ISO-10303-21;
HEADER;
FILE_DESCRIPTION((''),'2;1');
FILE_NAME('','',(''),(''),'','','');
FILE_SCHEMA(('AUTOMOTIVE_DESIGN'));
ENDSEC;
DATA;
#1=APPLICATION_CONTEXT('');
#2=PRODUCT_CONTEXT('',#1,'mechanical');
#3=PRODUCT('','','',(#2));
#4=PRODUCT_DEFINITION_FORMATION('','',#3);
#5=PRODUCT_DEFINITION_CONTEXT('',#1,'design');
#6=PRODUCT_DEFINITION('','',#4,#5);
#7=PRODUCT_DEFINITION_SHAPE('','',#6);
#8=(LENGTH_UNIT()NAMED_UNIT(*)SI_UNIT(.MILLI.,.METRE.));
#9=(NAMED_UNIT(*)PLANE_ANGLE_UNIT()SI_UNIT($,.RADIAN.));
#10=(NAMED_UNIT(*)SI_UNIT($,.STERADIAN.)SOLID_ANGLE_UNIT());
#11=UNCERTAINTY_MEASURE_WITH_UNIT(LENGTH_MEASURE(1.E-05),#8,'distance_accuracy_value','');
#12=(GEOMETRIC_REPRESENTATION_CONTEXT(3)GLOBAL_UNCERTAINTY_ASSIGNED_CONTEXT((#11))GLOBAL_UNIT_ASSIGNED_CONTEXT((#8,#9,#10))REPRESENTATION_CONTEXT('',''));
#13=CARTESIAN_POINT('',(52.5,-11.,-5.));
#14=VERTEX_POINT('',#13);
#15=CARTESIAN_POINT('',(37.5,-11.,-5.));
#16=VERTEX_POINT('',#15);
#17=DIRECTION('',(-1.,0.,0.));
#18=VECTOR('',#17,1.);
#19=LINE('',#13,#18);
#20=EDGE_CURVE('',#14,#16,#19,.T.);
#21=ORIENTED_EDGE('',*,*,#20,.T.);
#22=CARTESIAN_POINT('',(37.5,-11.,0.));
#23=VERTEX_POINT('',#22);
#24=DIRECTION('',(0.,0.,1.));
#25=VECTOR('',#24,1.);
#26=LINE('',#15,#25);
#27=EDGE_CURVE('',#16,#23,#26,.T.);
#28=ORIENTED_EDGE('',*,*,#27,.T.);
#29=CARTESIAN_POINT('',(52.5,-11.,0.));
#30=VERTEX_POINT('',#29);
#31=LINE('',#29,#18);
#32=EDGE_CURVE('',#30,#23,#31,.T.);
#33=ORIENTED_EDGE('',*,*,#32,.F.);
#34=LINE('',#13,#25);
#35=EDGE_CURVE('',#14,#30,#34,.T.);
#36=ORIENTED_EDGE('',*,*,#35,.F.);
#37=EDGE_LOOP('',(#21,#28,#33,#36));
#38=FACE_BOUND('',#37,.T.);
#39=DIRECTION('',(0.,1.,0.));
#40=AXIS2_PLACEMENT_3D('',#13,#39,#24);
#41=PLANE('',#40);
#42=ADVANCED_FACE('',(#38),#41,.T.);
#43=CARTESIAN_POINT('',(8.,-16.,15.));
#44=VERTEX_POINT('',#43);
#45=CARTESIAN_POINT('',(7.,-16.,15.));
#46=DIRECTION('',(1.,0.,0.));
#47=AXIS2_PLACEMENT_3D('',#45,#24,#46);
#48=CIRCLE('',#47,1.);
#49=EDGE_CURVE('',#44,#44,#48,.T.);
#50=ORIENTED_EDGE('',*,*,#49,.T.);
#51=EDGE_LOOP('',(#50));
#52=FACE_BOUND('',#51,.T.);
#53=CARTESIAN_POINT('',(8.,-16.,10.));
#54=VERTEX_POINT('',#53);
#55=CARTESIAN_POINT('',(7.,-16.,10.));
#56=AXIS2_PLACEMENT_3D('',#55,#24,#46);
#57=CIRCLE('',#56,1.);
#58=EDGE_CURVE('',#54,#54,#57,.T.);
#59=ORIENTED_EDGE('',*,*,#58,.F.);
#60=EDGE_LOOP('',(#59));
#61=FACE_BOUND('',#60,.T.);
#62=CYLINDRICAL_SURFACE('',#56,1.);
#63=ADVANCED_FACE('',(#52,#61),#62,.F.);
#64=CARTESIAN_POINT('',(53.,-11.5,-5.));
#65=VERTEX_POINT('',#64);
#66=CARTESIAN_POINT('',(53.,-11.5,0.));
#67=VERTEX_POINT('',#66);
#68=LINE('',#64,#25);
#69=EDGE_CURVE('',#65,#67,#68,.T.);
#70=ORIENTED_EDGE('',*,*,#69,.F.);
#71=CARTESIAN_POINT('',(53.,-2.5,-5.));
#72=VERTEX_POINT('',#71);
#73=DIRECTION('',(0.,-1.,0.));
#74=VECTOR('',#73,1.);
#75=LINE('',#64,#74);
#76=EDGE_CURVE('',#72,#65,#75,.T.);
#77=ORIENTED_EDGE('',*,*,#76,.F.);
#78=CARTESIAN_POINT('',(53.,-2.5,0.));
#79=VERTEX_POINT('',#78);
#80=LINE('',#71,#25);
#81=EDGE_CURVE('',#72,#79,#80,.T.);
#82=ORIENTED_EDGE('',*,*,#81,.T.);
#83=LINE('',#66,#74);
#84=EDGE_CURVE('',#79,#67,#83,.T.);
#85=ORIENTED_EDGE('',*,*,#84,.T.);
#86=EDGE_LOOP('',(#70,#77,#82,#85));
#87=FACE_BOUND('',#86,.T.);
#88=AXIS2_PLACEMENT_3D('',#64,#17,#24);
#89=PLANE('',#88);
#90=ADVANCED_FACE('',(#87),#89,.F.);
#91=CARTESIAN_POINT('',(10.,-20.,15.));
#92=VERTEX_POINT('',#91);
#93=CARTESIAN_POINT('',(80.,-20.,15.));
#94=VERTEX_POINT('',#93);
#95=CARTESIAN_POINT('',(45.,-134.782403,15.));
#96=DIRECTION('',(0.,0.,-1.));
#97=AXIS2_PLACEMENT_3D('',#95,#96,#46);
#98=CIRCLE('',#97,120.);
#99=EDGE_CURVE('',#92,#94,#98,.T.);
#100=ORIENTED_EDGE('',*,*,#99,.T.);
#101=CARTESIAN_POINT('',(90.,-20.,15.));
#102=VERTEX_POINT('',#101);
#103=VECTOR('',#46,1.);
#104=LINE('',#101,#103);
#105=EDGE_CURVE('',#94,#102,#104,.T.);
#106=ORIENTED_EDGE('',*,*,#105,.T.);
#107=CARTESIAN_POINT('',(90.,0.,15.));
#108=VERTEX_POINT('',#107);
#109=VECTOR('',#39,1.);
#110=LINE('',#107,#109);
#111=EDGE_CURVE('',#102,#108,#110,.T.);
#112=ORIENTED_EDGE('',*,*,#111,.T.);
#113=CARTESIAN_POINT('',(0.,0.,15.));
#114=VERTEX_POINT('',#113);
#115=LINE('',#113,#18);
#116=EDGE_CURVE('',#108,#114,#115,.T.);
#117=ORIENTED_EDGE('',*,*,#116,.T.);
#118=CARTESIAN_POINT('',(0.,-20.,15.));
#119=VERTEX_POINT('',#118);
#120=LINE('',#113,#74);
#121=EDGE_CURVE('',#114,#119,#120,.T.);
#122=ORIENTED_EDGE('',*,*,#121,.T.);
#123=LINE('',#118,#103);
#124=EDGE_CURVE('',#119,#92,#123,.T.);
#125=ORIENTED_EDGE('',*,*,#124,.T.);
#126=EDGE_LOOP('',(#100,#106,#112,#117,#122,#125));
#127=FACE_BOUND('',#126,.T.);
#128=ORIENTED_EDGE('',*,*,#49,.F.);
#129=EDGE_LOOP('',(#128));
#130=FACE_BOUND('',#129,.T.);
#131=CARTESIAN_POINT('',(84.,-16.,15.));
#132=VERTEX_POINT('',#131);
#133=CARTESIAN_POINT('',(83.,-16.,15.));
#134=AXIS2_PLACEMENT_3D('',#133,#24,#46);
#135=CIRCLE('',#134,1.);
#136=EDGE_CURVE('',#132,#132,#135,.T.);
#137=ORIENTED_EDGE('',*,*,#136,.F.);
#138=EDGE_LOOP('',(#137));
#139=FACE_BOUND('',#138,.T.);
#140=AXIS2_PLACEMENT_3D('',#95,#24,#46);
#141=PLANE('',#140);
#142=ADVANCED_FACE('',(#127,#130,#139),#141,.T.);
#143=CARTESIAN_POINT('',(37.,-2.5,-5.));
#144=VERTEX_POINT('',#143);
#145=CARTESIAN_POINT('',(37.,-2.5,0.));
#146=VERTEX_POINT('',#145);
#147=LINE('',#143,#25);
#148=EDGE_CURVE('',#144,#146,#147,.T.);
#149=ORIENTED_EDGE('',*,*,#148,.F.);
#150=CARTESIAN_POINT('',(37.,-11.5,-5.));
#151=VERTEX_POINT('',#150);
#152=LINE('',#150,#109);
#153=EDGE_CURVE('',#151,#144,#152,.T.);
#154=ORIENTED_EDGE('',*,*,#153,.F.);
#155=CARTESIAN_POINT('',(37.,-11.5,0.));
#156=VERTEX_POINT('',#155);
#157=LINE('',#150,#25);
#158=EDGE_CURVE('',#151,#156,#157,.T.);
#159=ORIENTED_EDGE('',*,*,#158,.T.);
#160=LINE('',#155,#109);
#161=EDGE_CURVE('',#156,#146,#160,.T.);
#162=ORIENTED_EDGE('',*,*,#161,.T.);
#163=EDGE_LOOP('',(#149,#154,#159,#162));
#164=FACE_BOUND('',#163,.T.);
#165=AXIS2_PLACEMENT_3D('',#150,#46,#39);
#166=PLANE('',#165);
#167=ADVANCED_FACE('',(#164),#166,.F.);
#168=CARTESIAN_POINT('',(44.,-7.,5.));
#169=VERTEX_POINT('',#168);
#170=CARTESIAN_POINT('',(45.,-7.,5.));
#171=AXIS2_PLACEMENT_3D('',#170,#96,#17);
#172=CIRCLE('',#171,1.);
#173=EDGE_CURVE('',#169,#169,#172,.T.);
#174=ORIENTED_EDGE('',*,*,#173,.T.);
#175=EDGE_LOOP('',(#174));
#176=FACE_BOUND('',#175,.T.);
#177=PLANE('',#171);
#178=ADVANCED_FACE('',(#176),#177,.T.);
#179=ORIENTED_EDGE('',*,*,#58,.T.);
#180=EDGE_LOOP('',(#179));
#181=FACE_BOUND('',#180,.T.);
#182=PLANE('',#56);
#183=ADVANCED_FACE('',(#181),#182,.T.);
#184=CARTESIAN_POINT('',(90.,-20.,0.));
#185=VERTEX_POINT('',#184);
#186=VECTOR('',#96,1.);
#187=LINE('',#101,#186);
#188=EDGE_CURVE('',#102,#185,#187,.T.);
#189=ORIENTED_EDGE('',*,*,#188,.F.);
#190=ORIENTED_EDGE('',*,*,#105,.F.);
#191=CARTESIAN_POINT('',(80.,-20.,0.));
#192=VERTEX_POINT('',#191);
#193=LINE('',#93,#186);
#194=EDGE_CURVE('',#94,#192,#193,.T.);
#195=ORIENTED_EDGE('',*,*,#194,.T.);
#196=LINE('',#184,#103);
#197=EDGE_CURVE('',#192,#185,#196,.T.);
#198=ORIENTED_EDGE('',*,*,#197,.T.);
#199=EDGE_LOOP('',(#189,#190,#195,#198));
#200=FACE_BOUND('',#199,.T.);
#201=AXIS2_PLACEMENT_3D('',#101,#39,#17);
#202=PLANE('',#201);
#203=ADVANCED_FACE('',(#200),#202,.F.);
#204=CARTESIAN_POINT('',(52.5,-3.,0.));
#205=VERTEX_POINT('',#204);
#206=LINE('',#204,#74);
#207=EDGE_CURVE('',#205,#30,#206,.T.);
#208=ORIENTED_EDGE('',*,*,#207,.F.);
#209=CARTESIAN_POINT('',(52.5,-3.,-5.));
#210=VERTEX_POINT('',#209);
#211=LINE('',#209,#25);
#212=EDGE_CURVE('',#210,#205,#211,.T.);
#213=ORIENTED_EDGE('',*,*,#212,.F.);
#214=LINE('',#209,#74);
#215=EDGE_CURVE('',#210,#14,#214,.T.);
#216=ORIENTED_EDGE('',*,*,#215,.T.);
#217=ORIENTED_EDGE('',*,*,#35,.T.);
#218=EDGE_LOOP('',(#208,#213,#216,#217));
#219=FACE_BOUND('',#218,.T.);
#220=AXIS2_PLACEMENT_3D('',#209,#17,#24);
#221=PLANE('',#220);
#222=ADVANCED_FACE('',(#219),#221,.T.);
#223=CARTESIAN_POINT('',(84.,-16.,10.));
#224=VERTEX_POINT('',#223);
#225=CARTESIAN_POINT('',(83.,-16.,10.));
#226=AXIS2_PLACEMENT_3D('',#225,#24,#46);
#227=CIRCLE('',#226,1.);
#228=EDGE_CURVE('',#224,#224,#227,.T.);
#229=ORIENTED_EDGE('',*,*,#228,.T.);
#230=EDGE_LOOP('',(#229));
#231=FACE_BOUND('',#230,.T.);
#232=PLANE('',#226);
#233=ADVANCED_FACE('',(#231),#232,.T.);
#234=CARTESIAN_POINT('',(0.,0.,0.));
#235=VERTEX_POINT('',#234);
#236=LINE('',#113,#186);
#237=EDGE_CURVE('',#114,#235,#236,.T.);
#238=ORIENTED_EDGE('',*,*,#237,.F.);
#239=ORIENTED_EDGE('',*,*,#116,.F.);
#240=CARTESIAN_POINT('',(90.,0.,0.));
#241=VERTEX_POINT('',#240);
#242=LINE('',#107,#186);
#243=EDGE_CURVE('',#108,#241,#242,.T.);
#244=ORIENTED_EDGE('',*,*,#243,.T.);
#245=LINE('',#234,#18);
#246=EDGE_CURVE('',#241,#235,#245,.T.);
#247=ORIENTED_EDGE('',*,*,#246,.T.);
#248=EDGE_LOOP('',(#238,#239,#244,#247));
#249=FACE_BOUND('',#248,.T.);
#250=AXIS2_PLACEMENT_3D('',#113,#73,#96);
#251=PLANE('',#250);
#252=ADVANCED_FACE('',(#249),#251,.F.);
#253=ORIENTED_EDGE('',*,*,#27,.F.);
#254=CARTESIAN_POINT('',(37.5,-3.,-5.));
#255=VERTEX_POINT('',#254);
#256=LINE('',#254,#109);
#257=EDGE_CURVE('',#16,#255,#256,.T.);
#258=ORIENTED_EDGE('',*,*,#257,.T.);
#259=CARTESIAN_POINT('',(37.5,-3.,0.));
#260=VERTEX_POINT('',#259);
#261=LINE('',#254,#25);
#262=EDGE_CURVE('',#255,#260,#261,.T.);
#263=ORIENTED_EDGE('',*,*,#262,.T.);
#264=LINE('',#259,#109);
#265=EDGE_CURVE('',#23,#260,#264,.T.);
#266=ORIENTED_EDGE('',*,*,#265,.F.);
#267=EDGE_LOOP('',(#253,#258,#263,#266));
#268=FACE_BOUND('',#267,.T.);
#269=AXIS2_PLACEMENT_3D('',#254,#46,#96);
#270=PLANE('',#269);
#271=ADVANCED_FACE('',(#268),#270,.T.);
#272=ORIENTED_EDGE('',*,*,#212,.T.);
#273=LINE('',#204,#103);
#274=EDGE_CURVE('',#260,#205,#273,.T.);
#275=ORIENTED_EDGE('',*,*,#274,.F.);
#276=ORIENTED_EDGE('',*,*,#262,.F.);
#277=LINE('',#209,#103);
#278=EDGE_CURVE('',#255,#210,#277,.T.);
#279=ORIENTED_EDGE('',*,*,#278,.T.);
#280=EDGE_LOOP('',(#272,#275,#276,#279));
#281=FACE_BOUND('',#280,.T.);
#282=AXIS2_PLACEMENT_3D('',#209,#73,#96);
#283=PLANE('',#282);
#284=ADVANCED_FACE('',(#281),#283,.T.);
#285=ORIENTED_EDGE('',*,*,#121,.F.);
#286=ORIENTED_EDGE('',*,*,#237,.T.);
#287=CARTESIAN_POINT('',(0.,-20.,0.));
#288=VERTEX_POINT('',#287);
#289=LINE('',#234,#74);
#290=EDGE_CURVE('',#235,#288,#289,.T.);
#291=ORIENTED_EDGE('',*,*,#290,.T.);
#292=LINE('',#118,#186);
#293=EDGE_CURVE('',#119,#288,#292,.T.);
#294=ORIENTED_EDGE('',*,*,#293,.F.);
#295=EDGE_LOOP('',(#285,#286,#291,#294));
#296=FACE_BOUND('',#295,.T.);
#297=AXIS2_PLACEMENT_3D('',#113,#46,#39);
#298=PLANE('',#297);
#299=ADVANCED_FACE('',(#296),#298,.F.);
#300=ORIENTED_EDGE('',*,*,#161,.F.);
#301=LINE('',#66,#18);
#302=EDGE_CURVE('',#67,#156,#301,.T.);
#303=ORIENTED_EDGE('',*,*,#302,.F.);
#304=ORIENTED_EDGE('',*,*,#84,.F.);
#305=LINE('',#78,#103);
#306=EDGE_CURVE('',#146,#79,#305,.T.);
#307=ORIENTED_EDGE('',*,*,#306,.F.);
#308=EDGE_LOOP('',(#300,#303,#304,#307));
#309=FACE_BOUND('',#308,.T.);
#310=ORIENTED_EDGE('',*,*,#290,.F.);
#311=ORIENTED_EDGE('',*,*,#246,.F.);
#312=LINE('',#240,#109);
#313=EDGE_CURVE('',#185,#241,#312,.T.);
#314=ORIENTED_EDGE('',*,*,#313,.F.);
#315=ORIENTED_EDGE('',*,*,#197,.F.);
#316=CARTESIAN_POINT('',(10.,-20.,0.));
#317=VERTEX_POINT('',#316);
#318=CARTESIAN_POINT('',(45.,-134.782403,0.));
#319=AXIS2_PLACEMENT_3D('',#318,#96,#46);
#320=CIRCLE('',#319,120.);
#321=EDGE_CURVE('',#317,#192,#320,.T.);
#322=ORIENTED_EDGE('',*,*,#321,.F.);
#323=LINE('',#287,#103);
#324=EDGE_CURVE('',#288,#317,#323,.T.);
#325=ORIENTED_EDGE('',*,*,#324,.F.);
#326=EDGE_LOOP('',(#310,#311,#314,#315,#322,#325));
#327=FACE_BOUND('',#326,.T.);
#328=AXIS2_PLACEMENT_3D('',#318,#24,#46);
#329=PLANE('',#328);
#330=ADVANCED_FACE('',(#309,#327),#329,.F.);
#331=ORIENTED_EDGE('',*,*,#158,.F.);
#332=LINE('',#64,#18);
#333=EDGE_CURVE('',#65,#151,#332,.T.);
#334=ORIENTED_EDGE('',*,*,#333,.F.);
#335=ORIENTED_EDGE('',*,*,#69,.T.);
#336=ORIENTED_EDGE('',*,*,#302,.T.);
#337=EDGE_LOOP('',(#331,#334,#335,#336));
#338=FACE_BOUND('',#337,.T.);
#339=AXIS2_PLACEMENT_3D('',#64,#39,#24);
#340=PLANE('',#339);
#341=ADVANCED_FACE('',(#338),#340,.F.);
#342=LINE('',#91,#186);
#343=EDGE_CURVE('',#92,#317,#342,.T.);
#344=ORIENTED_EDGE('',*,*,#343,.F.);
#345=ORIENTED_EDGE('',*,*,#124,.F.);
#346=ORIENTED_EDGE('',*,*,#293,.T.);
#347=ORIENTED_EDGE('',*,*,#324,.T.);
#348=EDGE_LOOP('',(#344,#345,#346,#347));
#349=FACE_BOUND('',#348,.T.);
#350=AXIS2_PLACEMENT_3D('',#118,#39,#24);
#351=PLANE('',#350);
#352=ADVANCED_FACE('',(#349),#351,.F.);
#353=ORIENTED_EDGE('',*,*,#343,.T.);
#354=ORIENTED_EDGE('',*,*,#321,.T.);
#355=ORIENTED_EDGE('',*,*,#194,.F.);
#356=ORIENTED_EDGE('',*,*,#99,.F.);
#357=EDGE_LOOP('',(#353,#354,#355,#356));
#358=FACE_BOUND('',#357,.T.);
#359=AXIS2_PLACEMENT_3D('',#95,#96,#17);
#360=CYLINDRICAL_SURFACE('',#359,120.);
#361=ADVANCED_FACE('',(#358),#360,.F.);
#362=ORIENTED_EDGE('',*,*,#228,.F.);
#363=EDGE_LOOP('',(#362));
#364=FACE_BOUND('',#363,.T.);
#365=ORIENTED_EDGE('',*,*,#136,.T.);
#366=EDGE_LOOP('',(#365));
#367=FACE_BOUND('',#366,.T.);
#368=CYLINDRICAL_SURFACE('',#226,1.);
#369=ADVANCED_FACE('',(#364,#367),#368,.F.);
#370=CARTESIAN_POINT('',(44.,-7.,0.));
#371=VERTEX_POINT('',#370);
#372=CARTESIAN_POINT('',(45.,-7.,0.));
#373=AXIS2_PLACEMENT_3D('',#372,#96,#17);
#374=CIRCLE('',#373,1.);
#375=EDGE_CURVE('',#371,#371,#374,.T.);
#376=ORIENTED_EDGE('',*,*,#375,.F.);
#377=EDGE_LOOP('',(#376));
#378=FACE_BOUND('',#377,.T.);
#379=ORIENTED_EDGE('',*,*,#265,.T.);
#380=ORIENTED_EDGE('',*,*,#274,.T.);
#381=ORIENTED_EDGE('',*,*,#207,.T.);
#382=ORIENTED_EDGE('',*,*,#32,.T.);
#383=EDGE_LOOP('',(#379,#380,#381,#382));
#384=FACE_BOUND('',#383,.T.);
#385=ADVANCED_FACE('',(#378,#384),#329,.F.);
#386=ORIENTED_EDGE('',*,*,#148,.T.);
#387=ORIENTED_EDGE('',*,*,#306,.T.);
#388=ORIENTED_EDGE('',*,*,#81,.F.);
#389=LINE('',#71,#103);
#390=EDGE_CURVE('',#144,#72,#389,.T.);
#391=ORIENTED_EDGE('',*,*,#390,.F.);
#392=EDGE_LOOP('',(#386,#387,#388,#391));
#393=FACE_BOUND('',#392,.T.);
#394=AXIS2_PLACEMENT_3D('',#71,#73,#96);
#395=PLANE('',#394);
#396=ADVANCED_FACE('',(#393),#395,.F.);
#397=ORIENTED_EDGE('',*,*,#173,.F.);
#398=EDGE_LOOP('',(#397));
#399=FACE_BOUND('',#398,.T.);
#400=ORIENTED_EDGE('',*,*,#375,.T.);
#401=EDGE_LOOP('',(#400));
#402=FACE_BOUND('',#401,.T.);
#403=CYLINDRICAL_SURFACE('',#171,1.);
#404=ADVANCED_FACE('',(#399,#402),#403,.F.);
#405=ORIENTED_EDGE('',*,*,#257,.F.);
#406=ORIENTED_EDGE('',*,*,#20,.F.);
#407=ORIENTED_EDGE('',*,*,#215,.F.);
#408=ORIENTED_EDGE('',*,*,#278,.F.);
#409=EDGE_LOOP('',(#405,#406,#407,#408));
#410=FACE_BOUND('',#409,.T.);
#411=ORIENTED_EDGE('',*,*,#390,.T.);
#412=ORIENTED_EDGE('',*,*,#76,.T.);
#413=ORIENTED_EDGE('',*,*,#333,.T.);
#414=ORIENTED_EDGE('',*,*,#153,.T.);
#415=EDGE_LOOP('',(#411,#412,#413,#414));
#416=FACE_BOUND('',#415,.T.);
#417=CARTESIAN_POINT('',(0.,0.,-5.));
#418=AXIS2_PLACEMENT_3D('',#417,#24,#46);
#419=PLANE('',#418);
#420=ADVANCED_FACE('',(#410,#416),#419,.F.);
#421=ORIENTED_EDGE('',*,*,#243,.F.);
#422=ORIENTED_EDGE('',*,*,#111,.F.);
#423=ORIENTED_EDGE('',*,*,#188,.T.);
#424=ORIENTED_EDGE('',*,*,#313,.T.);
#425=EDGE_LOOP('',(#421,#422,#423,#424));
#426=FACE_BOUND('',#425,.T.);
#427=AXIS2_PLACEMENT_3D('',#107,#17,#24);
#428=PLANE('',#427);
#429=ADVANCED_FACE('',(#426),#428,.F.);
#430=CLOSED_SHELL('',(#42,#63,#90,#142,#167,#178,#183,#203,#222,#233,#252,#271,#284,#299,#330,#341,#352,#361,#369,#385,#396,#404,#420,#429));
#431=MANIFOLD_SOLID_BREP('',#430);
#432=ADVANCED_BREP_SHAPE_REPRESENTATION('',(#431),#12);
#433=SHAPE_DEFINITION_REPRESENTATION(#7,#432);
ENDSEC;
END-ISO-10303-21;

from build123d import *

# Parameters (mm, degrees)
BOSS_EXTRUDE1_DEPTH = 15
SKETCH2_R           = 1
CUT_EXTRUDE1_DEPTH  = 5
SKETCH3_W           = 16
SKETCH3_H           = 9
SKETCH3_W_2         = 15
SKETCH3_H_2         = 8
BOSS_EXTRUDE2_DEPTH = 5
SKETCH4_R           = 1
CUT_EXTRUDE2_DEPTH  = 5


with BuildPart() as part:
    # Sketch1 → Boss-Extrude1 (new body)
    with BuildSketch(Plane.XY):
        with BuildLine():
            Line((0, 0), (90, 0))
            Line((90, 0), (90, -20))
            Line((90, -20), (80, -20))
            ThreePointArc((80, -20), (45, -14.782402832), (10, -20))
            Line((10, -20), (0, -20))
            Line((0, -20), (0, 0))
        make_face()
    extrude(amount=BOSS_EXTRUDE1_DEPTH)

    # Sketch2 → Cut-Extrude1 (cut)
    with BuildSketch(Plane.XY.offset(15)):
        with Locations((7, -16)):
            Circle(SKETCH2_R)
        with Locations((83, -16)):
            Circle(SKETCH2_R)
    extrude(amount=-CUT_EXTRUDE1_DEPTH, mode=Mode.SUBTRACT)

    # Sketch3 → Boss-Extrude2 (add)
    with BuildSketch(Plane(origin=(0, 0, 0), x_dir=(-1, 0, 0), z_dir=(0, 0, -1))):
        with Locations((-45, -7)):
            Rectangle(SKETCH3_W, SKETCH3_H)
        with Locations((-45, -7)):
            Rectangle(SKETCH3_W_2, SKETCH3_H_2, mode=Mode.SUBTRACT)
    extrude(amount=BOSS_EXTRUDE2_DEPTH)

    # Sketch4 → Cut-Extrude2 (cut)
    with BuildSketch(Plane(origin=(0, 0, 0), x_dir=(-1, 0, 0), z_dir=(0, 0, -1))):
        with Locations((-45, -7)):
            Circle(SKETCH4_R)
    extrude(amount=-CUT_EXTRUDE2_DEPTH, mode=Mode.SUBTRACT)


solid = part.part
